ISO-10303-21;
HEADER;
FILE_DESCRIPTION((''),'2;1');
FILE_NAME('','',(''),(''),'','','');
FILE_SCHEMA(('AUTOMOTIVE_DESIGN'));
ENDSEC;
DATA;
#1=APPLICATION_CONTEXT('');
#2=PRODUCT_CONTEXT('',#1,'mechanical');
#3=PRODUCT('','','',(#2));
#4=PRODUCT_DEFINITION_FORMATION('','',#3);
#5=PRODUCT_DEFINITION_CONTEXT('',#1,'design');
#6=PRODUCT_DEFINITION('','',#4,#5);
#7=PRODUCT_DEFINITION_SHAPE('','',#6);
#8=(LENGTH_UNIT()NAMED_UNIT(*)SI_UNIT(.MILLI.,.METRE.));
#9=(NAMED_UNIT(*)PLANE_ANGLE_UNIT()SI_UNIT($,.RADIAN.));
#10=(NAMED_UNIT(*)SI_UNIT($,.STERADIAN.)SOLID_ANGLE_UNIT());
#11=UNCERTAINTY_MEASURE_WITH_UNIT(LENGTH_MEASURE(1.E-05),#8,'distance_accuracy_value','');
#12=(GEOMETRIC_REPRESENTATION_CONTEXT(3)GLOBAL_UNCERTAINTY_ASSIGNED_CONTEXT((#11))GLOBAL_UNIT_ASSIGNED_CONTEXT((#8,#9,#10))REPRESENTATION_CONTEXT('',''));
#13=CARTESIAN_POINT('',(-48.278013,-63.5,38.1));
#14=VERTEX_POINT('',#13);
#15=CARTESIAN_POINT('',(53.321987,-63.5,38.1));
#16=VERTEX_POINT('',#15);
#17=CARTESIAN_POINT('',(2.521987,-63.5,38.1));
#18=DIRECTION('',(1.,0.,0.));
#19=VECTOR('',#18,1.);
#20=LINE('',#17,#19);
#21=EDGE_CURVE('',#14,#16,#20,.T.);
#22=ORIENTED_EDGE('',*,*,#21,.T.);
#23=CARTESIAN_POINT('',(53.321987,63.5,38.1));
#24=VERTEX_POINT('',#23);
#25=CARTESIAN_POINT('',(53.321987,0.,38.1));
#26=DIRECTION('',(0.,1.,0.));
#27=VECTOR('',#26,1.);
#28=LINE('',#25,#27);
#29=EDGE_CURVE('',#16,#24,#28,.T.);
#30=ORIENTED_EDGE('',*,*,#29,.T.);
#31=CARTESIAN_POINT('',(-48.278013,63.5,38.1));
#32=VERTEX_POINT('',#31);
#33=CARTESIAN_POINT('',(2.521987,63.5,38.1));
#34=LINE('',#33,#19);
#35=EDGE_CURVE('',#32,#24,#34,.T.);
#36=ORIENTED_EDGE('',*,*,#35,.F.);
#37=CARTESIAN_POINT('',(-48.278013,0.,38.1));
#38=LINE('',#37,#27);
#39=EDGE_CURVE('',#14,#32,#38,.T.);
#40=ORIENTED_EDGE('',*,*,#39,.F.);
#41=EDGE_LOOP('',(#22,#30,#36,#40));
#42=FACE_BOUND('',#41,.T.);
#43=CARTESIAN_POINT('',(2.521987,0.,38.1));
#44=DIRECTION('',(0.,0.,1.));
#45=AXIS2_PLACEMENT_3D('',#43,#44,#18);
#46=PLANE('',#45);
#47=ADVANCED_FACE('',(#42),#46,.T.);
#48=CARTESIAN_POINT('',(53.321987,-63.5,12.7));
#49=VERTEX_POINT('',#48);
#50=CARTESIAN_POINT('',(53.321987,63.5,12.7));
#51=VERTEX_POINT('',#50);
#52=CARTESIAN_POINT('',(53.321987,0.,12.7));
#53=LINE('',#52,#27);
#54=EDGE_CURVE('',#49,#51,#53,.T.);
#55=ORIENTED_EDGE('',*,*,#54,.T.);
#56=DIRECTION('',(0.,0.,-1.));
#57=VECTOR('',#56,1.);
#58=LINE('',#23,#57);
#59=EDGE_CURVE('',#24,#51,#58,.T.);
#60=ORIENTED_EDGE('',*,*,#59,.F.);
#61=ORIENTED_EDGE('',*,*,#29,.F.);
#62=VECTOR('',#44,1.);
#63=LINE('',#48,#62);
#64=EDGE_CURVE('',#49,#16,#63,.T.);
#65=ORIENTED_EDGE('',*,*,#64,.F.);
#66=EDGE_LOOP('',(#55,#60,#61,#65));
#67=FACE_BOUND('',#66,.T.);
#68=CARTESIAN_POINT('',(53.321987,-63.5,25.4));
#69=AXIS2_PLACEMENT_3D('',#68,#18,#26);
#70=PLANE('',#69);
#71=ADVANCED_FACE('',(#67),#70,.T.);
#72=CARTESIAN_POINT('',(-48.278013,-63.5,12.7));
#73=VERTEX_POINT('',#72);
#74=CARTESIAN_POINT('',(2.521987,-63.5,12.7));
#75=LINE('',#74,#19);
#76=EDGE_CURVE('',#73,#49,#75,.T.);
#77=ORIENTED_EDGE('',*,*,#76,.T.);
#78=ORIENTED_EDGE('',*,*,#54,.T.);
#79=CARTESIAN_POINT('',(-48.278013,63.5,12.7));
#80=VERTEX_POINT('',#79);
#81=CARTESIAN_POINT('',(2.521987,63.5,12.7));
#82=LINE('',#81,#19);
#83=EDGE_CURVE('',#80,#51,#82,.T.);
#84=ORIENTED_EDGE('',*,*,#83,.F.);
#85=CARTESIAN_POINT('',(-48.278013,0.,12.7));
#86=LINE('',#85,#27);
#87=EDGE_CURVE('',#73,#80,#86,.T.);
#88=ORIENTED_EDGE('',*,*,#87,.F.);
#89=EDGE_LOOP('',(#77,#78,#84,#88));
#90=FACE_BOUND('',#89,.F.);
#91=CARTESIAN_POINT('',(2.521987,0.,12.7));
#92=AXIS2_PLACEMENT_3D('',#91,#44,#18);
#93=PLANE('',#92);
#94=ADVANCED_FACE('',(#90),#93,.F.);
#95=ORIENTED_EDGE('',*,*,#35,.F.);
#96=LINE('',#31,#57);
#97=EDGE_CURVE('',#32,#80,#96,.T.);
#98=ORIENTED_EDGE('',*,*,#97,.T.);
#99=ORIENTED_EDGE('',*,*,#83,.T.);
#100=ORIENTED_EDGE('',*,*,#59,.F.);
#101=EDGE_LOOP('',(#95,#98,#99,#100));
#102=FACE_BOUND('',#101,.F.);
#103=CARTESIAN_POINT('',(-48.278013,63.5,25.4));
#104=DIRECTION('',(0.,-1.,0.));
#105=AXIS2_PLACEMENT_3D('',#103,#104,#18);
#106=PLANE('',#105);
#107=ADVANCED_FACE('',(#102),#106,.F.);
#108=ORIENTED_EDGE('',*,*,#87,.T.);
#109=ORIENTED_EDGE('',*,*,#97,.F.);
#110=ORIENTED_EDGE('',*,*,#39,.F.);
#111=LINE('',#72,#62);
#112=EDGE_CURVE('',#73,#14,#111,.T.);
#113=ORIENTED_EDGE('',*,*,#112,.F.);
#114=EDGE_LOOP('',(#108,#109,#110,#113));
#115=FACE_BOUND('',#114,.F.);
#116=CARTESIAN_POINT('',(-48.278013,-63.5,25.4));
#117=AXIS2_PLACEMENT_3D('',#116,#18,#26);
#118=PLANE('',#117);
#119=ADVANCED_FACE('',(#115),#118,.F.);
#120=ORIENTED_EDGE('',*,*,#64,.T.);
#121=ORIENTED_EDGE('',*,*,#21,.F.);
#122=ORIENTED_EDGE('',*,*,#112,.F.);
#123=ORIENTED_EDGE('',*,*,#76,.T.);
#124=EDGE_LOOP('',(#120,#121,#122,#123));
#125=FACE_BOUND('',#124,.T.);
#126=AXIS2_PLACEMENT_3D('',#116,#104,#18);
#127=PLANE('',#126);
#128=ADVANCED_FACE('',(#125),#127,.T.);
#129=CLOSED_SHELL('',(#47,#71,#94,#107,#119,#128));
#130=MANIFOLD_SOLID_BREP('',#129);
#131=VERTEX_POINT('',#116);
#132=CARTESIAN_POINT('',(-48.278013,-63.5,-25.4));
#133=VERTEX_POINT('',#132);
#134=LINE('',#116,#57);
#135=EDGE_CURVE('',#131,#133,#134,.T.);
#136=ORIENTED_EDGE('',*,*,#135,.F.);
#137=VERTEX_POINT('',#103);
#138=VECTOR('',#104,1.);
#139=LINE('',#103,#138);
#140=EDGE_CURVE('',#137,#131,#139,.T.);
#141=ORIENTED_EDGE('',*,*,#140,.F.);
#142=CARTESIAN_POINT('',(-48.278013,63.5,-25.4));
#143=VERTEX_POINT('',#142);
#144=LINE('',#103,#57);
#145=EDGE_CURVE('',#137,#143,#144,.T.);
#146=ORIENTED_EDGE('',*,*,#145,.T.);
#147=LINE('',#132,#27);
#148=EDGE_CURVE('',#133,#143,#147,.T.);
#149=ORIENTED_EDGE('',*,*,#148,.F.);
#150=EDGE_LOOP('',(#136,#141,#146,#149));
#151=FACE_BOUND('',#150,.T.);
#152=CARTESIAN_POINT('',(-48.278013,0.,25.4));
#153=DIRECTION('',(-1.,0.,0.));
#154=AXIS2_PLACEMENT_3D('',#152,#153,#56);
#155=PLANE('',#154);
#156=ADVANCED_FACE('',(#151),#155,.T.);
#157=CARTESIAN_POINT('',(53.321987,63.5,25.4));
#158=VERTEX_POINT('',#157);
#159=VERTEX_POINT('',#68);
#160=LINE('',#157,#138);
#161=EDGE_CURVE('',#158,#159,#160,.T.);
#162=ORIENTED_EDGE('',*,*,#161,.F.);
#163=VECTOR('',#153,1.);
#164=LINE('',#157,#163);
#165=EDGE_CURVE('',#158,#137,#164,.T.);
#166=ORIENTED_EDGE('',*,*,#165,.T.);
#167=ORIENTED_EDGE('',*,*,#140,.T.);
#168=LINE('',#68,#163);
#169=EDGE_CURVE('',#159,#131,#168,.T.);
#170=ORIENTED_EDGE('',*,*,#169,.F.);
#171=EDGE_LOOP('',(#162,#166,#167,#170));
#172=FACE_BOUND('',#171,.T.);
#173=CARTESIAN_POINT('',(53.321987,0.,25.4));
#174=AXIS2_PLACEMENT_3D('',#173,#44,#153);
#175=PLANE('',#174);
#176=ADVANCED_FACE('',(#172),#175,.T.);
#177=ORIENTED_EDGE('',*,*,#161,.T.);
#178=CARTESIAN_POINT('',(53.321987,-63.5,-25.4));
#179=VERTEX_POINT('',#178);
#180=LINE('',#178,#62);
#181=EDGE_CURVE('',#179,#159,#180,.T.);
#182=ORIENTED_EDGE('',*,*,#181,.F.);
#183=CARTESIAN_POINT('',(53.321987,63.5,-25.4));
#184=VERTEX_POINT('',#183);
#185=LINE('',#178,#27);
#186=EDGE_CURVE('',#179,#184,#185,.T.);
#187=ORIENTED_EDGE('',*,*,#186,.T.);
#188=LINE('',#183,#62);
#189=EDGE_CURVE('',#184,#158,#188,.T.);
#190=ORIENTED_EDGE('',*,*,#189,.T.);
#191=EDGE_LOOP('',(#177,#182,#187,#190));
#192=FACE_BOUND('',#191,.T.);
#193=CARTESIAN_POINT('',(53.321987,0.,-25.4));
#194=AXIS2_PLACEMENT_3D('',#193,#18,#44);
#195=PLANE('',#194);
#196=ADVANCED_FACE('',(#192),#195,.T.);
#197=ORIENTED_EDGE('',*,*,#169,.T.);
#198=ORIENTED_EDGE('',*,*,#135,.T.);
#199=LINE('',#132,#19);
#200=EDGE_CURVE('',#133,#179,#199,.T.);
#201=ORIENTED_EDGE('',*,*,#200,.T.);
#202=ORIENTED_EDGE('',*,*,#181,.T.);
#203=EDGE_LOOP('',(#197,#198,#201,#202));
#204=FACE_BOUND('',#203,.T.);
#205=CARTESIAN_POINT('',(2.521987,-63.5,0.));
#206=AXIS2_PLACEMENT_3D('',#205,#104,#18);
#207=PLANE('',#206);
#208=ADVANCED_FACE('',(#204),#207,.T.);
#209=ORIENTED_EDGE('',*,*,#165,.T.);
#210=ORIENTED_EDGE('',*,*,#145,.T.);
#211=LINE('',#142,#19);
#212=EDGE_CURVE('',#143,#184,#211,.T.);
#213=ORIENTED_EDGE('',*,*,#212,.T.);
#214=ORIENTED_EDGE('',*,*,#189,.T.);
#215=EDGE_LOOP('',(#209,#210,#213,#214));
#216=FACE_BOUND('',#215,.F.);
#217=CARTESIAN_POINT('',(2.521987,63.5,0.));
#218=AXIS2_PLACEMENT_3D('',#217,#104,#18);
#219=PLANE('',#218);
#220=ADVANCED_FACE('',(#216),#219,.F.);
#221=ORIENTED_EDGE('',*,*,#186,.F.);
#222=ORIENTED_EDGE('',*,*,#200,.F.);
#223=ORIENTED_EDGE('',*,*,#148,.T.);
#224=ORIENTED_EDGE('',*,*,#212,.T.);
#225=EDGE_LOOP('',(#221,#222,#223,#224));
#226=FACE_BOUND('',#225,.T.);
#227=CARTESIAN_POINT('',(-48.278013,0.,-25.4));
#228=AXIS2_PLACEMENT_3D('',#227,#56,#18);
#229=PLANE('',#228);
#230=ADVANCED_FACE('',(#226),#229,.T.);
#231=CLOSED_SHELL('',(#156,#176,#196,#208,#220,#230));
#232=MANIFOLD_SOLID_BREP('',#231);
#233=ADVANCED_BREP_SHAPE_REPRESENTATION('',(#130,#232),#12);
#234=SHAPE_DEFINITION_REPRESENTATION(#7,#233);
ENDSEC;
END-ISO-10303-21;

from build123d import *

# Parameters (mm, degrees)
F1_DEPTH  = 63.5
F1_FACE_W = 101.6
F1_FACE_H = 127
F2_DEPTH  = 12.7


with BuildPart() as f1:
    # F0 (on Front) → F1 (new body, symmetric)
    with BuildSketch(Plane.XZ):
        Polygon((53.321987, -25.4), (53.321987, 25.4), (40.621987, 25.4), (-48.278013, 25.4), (-48.278013, -25.4), align=None)
    extrude(amount=F1_DEPTH, both=True)


with BuildPart() as f2:
    # F1_face (on face) → F2 (new body, symmetric)
    with BuildSketch(Plane(origin=(2.521987, 0, 25.4), x_dir=(1, 0, 0), z_dir=(0, 0, 1))):
        Rectangle(F1_FACE_W, F1_FACE_H)
    extrude(amount=F2_DEPTH, both=True)


solid = Compound([f1.part, f2.part])
